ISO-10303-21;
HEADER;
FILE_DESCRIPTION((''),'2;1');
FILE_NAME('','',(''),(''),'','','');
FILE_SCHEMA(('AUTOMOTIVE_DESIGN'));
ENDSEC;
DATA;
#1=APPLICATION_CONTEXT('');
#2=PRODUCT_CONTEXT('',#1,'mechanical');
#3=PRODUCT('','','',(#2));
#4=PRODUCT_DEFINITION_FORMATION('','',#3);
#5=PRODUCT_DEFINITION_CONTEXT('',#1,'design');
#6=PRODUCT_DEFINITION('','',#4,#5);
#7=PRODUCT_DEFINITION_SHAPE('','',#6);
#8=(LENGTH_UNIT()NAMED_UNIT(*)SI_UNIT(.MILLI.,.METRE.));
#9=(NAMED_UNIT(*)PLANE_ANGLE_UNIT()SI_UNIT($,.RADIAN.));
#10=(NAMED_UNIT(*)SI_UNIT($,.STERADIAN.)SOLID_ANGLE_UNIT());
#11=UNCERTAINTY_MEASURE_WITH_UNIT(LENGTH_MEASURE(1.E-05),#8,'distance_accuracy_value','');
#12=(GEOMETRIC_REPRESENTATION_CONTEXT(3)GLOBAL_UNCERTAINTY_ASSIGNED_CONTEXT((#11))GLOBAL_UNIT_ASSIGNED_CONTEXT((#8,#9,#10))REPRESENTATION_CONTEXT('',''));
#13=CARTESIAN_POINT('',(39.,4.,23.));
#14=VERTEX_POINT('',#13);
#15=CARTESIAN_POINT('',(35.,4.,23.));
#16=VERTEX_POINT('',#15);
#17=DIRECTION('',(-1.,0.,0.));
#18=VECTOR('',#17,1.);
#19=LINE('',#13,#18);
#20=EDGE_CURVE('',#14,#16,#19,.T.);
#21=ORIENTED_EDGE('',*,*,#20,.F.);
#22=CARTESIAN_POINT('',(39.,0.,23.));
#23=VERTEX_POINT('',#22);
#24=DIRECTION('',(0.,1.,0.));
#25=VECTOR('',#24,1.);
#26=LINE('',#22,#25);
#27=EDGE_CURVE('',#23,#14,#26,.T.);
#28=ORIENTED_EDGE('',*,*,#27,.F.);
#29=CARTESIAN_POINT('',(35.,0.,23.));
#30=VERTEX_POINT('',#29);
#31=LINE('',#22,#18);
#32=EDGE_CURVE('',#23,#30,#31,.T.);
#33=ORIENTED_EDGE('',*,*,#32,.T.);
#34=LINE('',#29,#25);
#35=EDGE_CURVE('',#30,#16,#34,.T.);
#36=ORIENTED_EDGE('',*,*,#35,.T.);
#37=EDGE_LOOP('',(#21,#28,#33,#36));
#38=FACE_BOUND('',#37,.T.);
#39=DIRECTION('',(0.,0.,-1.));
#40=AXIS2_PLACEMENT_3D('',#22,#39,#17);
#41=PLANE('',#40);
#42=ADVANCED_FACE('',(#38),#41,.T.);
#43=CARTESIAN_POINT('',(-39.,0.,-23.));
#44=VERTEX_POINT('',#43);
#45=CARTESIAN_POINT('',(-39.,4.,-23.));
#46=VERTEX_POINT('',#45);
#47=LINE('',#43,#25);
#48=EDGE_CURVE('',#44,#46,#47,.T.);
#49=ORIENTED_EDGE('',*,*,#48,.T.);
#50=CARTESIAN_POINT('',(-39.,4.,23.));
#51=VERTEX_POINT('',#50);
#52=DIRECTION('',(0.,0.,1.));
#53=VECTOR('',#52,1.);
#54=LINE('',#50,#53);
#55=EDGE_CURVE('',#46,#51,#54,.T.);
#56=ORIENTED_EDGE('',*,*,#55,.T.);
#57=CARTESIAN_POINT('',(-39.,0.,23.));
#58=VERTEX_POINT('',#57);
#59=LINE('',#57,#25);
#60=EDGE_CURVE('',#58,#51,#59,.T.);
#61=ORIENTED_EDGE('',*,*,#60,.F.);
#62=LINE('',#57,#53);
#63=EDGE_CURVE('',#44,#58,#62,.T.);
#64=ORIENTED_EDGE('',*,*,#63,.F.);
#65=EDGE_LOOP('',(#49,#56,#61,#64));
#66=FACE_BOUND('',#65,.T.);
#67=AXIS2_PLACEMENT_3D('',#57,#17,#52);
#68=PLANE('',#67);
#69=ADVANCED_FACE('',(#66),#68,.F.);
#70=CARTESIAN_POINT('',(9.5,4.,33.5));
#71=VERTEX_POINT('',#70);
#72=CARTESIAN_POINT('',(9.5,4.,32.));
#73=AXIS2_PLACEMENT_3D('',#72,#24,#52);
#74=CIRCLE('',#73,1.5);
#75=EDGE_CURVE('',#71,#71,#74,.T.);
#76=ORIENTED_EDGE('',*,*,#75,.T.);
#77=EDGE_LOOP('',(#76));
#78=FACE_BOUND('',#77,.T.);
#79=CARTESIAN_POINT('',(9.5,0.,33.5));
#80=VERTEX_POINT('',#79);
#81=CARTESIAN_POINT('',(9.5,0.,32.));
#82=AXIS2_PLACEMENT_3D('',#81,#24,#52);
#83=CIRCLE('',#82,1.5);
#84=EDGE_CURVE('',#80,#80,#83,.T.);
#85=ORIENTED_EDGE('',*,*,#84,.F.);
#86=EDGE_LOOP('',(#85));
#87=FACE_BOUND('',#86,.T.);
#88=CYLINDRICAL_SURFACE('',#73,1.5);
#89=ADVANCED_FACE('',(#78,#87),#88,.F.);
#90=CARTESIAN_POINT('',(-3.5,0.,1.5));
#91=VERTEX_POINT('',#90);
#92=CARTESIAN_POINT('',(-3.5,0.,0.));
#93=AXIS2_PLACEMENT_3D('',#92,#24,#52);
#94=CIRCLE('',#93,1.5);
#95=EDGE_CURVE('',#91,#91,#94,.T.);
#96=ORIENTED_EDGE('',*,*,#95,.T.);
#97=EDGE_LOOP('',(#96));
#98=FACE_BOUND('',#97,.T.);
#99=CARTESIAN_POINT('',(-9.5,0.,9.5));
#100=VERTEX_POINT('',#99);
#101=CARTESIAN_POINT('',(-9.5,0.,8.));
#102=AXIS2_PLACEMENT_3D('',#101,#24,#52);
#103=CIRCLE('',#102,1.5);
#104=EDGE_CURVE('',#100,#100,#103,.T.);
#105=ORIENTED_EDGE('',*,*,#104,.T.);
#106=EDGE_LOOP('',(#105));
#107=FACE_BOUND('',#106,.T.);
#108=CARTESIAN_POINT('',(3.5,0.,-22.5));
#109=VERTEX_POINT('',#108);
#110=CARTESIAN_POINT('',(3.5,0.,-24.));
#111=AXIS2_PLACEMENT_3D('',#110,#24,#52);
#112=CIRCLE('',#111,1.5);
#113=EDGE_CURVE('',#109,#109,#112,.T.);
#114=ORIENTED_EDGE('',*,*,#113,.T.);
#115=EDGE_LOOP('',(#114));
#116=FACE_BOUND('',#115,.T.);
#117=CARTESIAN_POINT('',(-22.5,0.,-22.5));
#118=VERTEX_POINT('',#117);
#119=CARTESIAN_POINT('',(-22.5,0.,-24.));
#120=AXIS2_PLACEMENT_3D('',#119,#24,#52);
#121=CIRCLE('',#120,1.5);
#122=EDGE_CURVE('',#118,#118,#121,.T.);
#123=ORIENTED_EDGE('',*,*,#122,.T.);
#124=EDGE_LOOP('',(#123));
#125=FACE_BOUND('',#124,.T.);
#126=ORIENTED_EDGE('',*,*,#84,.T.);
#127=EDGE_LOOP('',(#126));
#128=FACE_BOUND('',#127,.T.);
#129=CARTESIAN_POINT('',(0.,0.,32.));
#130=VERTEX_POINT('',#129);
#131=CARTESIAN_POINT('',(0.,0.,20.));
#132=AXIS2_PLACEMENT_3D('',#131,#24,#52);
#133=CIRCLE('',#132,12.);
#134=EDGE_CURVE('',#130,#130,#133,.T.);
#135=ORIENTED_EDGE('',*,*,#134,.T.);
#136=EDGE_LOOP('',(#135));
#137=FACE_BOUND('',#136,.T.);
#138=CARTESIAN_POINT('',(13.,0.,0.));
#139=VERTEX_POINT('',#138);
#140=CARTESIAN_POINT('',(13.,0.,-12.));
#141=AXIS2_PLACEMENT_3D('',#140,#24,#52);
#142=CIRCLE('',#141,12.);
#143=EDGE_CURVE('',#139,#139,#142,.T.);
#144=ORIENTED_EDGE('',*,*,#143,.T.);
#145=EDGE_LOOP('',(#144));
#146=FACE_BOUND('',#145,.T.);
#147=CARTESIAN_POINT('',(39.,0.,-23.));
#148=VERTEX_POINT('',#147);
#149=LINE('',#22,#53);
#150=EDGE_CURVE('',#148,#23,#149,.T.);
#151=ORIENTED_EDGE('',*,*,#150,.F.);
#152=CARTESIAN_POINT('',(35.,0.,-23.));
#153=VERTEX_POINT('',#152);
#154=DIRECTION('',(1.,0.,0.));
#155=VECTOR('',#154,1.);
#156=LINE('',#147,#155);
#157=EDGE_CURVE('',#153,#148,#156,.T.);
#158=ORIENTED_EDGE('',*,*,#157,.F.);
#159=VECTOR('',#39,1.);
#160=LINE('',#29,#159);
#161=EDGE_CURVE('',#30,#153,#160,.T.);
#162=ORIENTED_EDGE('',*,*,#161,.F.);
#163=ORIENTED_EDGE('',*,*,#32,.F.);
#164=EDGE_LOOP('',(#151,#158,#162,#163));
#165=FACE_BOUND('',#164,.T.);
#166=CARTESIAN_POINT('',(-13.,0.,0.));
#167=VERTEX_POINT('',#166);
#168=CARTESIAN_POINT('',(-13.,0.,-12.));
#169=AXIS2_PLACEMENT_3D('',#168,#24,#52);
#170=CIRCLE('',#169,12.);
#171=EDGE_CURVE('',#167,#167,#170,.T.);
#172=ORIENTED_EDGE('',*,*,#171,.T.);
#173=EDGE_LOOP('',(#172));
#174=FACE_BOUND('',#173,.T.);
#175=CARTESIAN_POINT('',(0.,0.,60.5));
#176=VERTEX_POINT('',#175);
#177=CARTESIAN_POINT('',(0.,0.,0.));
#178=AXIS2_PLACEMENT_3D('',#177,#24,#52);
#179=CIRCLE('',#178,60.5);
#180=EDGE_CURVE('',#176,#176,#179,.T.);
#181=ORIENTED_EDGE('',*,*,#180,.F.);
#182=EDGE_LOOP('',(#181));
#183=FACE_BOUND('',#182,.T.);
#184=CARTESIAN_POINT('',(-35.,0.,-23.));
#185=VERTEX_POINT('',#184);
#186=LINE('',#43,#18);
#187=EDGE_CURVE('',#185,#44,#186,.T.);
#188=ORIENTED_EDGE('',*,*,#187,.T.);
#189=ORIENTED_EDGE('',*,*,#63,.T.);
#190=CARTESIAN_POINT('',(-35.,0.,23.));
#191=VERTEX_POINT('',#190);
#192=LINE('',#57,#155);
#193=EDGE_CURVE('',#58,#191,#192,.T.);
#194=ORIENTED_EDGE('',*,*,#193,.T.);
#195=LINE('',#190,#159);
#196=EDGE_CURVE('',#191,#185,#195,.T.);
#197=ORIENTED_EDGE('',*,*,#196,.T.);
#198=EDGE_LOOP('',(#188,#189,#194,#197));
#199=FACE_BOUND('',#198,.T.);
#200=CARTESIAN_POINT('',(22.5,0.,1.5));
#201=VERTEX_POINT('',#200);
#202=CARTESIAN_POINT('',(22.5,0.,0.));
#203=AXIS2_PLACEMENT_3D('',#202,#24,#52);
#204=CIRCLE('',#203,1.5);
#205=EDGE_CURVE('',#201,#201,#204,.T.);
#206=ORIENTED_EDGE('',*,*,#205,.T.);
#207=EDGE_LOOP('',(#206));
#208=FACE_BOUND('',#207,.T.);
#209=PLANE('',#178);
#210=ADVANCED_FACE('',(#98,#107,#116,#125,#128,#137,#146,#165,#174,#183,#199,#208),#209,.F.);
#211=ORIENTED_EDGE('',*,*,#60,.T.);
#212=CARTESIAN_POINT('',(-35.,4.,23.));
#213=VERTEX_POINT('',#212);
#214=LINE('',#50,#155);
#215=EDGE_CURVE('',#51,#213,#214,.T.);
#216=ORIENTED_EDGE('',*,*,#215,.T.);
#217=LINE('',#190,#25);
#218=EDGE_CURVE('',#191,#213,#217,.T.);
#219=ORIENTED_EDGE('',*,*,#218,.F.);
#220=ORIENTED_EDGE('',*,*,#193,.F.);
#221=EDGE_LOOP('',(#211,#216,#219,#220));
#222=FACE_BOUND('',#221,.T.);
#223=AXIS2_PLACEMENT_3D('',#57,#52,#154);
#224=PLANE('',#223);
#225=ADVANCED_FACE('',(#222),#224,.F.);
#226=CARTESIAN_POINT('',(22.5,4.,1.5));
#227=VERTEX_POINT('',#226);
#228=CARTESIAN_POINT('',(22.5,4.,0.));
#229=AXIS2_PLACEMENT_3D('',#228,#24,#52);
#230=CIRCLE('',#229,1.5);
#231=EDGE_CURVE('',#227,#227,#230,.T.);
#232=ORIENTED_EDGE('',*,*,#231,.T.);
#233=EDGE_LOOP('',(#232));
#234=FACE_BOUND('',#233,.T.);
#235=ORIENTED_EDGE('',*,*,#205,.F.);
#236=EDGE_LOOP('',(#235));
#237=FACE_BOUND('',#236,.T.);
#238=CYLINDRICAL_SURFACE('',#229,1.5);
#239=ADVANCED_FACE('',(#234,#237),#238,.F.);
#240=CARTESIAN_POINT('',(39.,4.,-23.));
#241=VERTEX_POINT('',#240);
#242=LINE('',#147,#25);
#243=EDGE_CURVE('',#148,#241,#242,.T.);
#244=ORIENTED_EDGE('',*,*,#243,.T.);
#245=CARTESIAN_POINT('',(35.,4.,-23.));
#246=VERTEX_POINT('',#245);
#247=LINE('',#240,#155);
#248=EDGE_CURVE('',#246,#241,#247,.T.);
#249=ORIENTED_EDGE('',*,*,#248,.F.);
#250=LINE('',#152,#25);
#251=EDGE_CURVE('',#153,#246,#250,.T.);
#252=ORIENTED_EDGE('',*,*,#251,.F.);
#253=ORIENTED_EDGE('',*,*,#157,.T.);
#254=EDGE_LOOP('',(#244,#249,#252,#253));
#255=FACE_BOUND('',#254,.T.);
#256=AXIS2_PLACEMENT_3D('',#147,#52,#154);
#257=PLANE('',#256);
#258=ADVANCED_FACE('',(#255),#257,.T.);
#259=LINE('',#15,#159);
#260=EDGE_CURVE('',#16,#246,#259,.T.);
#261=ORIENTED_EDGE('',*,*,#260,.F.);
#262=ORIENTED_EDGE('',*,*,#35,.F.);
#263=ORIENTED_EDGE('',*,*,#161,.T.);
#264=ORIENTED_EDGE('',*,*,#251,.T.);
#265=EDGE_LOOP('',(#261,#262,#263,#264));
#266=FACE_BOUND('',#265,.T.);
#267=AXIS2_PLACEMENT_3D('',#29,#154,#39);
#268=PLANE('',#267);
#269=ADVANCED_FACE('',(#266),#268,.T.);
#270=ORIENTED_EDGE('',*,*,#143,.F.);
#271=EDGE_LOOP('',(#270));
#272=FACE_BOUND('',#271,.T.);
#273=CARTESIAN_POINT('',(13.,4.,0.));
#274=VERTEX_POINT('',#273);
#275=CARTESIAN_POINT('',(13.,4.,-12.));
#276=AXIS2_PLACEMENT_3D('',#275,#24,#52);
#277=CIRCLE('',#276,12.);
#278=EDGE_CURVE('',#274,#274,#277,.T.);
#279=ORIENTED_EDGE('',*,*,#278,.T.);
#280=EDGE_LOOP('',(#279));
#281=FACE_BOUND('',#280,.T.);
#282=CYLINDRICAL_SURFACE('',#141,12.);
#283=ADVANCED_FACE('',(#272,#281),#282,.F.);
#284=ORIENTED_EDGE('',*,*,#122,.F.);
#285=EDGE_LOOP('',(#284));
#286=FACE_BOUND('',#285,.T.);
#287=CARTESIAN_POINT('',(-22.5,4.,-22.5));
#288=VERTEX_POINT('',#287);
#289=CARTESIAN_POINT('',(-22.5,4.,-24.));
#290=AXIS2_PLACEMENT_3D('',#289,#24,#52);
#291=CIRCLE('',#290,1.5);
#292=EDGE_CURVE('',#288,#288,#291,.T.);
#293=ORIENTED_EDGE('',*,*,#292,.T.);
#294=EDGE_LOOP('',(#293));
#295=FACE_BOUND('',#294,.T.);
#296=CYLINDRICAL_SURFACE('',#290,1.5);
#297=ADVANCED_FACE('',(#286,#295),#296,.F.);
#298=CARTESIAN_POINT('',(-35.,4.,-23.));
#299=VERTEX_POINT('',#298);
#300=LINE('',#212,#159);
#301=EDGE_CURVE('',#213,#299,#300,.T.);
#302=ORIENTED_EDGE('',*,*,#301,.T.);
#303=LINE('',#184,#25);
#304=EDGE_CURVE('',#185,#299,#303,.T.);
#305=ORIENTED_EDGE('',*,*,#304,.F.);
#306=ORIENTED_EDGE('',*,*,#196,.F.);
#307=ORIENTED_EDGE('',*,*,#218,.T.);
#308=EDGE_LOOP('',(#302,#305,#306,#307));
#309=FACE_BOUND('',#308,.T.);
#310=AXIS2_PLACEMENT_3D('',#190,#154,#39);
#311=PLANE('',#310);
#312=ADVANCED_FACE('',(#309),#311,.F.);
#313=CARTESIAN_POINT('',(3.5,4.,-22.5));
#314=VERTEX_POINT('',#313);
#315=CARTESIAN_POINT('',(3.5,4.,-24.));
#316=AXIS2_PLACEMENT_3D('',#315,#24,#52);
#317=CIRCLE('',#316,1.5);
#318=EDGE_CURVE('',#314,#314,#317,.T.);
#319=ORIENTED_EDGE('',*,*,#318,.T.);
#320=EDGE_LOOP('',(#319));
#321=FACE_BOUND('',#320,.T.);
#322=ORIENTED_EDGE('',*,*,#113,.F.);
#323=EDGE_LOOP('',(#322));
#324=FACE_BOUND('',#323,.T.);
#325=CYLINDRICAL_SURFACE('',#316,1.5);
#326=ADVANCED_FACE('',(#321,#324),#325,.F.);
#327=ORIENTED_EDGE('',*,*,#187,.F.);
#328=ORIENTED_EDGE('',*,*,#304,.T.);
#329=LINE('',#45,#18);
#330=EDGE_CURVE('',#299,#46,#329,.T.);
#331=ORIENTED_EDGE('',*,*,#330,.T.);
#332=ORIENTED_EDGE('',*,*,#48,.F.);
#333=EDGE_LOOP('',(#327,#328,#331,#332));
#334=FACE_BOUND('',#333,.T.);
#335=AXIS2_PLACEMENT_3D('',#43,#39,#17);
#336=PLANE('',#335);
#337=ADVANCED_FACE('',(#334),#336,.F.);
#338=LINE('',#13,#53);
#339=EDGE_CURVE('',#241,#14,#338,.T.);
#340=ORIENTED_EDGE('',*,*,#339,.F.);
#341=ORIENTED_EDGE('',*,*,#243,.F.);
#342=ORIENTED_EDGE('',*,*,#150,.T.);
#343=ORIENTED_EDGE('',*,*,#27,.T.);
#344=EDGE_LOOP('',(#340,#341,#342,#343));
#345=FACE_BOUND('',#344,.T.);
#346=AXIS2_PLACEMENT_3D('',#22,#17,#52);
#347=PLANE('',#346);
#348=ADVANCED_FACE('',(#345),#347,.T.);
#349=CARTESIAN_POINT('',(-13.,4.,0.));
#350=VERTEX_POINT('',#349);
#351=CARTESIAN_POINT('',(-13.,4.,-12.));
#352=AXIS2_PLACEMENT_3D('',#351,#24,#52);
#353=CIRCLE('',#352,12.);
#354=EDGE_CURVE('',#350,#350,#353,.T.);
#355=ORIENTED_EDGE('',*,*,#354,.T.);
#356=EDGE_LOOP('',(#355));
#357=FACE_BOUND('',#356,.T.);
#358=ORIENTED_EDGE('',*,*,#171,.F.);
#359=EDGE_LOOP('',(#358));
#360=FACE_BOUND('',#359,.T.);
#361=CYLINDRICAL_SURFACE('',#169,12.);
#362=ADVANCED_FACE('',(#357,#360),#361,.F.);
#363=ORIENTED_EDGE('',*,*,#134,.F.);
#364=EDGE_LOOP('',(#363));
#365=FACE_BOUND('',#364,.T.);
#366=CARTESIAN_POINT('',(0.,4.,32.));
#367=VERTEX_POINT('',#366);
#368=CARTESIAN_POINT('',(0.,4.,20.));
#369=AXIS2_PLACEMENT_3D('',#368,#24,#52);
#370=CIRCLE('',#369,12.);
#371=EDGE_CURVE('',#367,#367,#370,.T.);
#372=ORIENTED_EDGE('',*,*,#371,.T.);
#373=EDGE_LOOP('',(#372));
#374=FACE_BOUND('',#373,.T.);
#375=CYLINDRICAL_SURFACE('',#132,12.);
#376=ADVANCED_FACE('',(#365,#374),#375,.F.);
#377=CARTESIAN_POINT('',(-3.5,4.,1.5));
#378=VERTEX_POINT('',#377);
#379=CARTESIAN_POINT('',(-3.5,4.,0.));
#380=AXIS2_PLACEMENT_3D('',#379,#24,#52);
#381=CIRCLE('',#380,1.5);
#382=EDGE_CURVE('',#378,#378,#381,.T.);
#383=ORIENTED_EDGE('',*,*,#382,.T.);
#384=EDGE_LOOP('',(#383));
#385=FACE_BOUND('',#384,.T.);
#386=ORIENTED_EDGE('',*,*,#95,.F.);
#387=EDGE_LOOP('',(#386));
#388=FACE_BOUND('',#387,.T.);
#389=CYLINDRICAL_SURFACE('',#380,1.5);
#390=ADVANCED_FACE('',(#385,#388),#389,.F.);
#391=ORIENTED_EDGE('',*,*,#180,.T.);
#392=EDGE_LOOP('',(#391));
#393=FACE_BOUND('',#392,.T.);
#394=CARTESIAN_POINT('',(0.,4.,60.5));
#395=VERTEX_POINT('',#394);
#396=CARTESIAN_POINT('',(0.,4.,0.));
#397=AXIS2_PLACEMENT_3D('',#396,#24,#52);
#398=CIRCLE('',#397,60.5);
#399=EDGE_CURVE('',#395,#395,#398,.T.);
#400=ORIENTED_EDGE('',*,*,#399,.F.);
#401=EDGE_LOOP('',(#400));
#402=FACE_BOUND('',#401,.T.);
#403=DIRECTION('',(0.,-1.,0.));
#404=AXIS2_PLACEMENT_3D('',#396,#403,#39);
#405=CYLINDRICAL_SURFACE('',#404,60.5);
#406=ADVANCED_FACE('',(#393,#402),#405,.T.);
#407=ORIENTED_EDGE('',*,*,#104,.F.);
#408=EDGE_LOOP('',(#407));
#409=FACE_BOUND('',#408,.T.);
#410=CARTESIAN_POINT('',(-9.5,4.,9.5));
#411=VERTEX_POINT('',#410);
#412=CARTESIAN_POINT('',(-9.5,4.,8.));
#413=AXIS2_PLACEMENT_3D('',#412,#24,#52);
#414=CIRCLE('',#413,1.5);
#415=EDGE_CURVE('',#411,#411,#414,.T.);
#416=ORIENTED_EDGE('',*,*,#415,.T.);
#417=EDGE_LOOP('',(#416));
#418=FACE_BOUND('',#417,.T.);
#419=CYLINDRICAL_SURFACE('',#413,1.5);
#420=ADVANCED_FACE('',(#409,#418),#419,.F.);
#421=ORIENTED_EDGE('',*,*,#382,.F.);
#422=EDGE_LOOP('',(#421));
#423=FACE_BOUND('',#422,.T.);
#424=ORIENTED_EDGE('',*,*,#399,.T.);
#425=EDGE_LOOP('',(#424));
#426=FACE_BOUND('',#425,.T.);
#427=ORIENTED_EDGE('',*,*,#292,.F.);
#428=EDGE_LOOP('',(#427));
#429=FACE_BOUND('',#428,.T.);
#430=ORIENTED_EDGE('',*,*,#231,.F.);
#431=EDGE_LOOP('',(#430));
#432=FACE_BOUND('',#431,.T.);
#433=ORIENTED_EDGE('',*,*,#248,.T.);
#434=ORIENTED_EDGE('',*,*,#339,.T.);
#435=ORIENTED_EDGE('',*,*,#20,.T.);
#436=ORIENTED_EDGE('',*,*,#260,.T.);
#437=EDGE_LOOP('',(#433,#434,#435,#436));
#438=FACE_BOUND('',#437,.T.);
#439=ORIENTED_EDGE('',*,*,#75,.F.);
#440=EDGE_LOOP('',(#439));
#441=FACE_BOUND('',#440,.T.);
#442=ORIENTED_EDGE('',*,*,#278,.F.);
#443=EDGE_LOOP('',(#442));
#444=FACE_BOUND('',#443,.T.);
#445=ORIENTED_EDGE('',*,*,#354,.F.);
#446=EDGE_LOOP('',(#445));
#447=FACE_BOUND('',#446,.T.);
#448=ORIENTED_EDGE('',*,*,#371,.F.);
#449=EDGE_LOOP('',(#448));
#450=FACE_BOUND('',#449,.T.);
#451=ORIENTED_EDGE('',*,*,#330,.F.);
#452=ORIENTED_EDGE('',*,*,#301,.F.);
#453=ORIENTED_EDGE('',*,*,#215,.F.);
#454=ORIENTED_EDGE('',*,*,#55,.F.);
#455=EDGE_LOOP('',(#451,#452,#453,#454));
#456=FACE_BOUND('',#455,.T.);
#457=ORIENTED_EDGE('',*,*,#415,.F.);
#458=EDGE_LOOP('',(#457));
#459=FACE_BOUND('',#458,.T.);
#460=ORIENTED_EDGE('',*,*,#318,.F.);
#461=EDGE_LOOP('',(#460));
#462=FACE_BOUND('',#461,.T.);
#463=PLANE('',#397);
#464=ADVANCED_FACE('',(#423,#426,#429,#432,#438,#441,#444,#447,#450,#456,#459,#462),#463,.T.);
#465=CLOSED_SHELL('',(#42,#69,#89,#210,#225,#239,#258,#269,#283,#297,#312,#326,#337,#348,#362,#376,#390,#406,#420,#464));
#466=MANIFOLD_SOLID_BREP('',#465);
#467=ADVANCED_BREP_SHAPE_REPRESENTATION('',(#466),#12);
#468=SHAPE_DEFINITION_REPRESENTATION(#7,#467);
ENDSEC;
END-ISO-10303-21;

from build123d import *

# Parameters (mm, degrees)
SKETCH1_R             = 60.5
BOSS_EXTRUDE1_DEPTH   = 4
SKETCH2_R             = 12
CUT_EXTRUDE1_DEPTH    = 4
F_3_0MM_DOWEL_HOLE1_D = 3
SKETCH6_W             = 4
SKETCH6_H             = 46
CUT_EXTRUDE2_DEPTH    = 4


with BuildPart() as part:
    # Sketch1 → Boss-Extrude1 (new body)
    with BuildSketch(Plane(origin=(0, 0, 0), x_dir=(1, 0, 0), z_dir=(0, 1, 0))):
        with Locations(Location((0, 0, 0), (0, 0, 270))):
            Circle(SKETCH1_R)
    extrude(amount=BOSS_EXTRUDE1_DEPTH)

    # Sketch2 → Cut-Extrude1 (cut)
    with BuildSketch(Plane(origin=(0, 4, 0), x_dir=(1, 0, 0), z_dir=(0, 1, 0))):
        with Locations(Location((0, -20, 0), (0, 0, 270))):
            Circle(SKETCH2_R)
        with Locations(Location((13, 12, 0), (0, 0, 270))):
            Circle(SKETCH2_R)
        with Locations(Location((-13, 12, 0), (0, 0, 270))):
            Circle(SKETCH2_R)
    extrude(amount=-CUT_EXTRUDE1_DEPTH, mode=Mode.SUBTRACT)

    # Ø3.0mm Dowel Hole1 (through all)
    with Locations(Plane(origin=(-22.5, 4, -24), x_dir=(0, 0, 1), z_dir=(0, 1, 0))):
        with Locations((0, 0), (24, 19), (0, 26), (24, 45), (32, 13), (56, 32)):
            Hole(F_3_0MM_DOWEL_HOLE1_D / 2)

    # Sketch6 → Cut-Extrude2 (cut)
    with BuildSketch(Plane(origin=(0, 4, 0), x_dir=(1, 0, 0), z_dir=(0, 1, 0))):
        with Locations((-37, 0)):
            Rectangle(SKETCH6_W, SKETCH6_H)
    cut_extrude2 = extrude(amount=-CUT_EXTRUDE2_DEPTH, mode=Mode.SUBTRACT)

    # Mirror1: Cut-Extrude2 across plane
    add(cut_extrude2.mirror(Plane(origin=(0, 0, 0), x_dir=(0, 0, 1), z_dir=(1, 0, 0))), mode=Mode.SUBTRACT)


solid = part.part
